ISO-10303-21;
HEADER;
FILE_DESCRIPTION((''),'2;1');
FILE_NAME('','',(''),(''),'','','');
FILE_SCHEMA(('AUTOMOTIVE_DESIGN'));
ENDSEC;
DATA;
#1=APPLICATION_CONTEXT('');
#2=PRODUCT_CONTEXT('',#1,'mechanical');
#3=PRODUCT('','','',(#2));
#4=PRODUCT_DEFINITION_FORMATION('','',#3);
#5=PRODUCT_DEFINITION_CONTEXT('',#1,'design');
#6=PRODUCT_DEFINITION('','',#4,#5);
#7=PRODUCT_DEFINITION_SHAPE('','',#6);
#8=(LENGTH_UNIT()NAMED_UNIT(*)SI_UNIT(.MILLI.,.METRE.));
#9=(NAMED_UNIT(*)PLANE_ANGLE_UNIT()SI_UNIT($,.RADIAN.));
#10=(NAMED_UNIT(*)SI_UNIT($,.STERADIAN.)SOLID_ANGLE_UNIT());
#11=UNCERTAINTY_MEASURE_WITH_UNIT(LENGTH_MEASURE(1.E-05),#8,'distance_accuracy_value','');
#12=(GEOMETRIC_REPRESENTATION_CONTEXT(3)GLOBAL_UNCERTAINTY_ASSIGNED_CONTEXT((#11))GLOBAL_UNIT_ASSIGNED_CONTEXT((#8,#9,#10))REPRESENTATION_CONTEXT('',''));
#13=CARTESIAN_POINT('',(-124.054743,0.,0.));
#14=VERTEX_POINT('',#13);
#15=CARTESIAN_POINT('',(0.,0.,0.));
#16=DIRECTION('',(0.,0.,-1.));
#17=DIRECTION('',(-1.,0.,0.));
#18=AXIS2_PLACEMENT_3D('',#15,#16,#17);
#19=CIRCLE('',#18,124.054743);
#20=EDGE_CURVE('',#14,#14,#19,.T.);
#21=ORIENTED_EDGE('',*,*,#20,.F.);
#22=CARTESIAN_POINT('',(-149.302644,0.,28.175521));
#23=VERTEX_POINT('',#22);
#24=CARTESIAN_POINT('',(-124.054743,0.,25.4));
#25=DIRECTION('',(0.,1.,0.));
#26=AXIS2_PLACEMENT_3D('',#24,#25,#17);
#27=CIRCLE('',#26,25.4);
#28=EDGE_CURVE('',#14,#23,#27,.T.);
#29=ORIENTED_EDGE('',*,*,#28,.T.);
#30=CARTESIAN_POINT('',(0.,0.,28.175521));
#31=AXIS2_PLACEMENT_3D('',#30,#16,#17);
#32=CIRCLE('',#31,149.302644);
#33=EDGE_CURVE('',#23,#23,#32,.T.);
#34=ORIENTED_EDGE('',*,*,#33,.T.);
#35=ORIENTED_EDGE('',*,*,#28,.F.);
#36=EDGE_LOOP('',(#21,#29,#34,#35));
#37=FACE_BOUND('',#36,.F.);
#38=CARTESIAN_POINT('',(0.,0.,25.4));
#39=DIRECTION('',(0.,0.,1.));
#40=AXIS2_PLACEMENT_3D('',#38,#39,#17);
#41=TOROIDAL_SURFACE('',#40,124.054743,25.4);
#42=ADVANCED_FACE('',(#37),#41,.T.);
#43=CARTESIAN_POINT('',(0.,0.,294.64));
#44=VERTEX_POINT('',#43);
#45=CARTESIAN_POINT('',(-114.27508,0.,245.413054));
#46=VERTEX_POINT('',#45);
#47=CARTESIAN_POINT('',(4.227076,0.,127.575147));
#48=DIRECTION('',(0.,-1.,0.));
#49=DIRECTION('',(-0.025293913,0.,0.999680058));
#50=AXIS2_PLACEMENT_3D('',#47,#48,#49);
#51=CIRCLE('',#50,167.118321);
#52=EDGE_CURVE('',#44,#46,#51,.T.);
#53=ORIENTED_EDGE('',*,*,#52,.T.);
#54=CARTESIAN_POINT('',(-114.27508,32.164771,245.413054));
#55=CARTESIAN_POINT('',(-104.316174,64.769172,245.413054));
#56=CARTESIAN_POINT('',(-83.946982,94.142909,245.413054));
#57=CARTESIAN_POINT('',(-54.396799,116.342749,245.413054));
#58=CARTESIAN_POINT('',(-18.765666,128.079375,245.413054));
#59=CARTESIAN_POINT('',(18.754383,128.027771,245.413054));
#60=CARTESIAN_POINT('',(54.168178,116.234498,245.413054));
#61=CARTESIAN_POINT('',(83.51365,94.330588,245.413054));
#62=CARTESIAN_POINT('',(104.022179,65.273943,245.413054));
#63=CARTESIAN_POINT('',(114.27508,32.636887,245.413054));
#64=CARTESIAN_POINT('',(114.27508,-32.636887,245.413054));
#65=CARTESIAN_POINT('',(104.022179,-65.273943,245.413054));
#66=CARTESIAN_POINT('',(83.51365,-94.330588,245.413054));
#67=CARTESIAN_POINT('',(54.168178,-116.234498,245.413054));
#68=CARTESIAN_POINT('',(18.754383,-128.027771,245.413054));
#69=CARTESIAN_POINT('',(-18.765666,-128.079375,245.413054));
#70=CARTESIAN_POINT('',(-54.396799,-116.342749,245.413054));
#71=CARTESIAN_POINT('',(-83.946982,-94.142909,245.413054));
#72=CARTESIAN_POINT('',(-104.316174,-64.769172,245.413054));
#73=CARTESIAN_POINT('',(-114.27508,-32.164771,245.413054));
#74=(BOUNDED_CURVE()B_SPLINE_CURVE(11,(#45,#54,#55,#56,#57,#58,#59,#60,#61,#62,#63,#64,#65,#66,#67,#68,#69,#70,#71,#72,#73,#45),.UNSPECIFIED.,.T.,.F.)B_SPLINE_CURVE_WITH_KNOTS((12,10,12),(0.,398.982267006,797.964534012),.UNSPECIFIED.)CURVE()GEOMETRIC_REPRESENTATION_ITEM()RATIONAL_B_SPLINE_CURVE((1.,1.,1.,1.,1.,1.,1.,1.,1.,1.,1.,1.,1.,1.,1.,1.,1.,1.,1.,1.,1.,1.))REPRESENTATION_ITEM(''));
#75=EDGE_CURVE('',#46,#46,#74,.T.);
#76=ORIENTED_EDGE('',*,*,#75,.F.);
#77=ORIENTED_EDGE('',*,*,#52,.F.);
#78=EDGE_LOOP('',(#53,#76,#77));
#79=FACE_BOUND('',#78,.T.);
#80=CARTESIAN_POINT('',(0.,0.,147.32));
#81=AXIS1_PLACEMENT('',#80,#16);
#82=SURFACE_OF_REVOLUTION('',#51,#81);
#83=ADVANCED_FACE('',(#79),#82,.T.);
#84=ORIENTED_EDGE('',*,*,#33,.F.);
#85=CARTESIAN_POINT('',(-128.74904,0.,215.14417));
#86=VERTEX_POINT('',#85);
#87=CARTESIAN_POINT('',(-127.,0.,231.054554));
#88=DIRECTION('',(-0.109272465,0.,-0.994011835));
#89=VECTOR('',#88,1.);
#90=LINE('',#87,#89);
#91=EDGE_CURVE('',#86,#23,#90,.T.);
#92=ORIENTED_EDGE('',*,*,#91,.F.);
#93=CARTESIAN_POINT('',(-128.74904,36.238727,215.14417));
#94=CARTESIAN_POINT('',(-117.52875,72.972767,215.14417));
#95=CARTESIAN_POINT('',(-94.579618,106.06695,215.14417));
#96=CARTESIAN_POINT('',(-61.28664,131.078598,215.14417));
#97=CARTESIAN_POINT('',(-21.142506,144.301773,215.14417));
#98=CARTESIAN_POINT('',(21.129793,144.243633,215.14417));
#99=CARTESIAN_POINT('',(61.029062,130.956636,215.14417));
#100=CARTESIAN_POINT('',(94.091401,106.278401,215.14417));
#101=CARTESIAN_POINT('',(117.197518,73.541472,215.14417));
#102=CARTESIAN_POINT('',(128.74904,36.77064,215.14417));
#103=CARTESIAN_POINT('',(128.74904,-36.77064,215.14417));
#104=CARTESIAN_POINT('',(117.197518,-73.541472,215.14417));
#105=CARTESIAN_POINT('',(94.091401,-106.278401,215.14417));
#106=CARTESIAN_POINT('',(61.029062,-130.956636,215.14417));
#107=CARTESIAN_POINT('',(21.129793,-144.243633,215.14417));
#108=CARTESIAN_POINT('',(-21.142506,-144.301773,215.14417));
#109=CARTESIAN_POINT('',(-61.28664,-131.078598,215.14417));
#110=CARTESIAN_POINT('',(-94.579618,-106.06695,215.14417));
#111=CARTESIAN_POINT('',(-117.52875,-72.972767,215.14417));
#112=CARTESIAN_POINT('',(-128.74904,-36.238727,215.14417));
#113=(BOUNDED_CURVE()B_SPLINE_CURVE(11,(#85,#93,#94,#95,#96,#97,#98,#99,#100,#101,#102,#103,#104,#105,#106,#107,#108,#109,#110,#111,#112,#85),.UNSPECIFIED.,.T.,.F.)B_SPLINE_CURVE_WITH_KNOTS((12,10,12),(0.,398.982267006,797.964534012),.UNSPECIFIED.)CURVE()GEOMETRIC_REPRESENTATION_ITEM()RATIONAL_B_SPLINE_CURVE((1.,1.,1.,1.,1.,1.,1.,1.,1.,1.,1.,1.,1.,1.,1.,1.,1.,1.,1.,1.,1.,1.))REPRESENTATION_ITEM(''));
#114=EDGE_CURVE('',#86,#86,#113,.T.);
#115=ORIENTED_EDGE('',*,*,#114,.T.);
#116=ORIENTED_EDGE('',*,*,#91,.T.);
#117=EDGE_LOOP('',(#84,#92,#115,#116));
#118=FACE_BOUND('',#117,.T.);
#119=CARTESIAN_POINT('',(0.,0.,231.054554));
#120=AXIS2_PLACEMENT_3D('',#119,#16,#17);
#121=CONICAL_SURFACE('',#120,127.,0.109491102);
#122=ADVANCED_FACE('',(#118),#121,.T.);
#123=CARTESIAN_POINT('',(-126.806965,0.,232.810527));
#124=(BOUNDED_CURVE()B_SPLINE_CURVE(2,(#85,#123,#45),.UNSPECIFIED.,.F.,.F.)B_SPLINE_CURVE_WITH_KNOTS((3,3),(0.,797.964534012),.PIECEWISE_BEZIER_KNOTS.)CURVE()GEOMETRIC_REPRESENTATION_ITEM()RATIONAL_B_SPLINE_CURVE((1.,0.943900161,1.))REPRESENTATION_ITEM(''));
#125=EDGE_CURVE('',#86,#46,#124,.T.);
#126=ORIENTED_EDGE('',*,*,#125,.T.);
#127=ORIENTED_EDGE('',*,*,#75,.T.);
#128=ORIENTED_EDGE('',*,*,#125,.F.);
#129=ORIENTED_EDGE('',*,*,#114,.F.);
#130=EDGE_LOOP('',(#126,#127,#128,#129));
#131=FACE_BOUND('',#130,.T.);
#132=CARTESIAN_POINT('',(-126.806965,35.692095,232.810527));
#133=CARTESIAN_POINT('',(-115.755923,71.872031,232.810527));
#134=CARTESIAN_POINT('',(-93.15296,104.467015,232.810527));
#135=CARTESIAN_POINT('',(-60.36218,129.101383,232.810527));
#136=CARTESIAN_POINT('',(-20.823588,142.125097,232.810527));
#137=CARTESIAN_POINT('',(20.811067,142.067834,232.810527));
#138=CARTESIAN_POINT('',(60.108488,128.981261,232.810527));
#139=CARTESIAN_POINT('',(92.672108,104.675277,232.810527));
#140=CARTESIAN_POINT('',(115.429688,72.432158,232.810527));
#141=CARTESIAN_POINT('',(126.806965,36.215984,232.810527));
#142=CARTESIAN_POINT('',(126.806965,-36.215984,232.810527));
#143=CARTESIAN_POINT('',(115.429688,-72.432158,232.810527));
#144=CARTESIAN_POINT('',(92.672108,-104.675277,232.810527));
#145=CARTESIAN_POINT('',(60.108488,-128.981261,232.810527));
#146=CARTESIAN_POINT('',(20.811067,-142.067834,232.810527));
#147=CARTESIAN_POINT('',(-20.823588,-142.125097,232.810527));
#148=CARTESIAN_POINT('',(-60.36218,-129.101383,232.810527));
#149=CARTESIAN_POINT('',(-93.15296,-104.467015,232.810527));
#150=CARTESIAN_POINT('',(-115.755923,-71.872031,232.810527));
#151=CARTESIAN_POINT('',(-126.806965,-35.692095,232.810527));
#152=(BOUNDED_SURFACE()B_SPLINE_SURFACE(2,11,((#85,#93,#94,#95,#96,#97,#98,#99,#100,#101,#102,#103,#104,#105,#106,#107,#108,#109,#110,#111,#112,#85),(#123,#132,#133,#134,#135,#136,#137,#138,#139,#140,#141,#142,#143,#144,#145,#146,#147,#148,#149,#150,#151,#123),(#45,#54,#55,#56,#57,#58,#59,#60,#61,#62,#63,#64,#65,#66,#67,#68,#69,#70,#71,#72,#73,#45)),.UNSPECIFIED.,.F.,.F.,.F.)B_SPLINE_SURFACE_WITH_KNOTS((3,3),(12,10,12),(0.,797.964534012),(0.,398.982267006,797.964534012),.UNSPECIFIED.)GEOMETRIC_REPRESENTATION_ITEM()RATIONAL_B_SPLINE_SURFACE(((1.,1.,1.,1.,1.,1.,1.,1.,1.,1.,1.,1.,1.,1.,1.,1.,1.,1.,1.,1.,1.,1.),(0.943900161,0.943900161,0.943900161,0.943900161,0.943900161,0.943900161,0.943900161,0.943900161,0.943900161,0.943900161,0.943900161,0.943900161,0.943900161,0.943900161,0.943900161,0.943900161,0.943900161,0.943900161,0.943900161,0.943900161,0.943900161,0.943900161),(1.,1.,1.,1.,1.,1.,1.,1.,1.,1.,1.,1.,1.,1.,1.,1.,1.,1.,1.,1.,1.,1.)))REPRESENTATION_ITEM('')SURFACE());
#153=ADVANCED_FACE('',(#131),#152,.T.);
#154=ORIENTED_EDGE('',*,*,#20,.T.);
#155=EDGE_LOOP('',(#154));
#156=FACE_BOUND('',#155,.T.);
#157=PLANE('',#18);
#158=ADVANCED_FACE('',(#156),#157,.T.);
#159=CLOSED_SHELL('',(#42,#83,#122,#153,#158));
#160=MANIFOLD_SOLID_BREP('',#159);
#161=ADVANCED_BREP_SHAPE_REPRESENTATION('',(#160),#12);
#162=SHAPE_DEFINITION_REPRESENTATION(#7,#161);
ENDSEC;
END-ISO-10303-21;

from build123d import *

# Parameters (mm, degrees)
F2_R = 25.4
F3_R = 50.8


with BuildPart() as f1:
    # F0 (on Front) → F1 (revolve)
    with BuildSketch(Plane.XZ):
        with BuildLine():
            Line((-152.4, 0), (0, 0))
            Line((0, 0), (0, 294.64))
            ThreePointArc((0, 294.64), (-70.59093, 277.01008), (-127, 231.054554))
            Line((-127, 231.054554), (-152.4, 0))
        make_face()
    revolve(axis=Axis((0, 0, 147.32), (0, 0, -1)))

    # F2
    f2_edges = [f1.edges().sort_by_distance(p)[0] for p in [
        (152.4, 0, 0),
    ]]
    fillet(f2_edges, radius=F2_R)

    # F3
    f3_edges = [f1.edges().sort_by_distance(p)[0] for p in [
        (127, 0, 231.054554),
    ]]
    fillet(f3_edges, radius=F3_R)


solid = f1.part
